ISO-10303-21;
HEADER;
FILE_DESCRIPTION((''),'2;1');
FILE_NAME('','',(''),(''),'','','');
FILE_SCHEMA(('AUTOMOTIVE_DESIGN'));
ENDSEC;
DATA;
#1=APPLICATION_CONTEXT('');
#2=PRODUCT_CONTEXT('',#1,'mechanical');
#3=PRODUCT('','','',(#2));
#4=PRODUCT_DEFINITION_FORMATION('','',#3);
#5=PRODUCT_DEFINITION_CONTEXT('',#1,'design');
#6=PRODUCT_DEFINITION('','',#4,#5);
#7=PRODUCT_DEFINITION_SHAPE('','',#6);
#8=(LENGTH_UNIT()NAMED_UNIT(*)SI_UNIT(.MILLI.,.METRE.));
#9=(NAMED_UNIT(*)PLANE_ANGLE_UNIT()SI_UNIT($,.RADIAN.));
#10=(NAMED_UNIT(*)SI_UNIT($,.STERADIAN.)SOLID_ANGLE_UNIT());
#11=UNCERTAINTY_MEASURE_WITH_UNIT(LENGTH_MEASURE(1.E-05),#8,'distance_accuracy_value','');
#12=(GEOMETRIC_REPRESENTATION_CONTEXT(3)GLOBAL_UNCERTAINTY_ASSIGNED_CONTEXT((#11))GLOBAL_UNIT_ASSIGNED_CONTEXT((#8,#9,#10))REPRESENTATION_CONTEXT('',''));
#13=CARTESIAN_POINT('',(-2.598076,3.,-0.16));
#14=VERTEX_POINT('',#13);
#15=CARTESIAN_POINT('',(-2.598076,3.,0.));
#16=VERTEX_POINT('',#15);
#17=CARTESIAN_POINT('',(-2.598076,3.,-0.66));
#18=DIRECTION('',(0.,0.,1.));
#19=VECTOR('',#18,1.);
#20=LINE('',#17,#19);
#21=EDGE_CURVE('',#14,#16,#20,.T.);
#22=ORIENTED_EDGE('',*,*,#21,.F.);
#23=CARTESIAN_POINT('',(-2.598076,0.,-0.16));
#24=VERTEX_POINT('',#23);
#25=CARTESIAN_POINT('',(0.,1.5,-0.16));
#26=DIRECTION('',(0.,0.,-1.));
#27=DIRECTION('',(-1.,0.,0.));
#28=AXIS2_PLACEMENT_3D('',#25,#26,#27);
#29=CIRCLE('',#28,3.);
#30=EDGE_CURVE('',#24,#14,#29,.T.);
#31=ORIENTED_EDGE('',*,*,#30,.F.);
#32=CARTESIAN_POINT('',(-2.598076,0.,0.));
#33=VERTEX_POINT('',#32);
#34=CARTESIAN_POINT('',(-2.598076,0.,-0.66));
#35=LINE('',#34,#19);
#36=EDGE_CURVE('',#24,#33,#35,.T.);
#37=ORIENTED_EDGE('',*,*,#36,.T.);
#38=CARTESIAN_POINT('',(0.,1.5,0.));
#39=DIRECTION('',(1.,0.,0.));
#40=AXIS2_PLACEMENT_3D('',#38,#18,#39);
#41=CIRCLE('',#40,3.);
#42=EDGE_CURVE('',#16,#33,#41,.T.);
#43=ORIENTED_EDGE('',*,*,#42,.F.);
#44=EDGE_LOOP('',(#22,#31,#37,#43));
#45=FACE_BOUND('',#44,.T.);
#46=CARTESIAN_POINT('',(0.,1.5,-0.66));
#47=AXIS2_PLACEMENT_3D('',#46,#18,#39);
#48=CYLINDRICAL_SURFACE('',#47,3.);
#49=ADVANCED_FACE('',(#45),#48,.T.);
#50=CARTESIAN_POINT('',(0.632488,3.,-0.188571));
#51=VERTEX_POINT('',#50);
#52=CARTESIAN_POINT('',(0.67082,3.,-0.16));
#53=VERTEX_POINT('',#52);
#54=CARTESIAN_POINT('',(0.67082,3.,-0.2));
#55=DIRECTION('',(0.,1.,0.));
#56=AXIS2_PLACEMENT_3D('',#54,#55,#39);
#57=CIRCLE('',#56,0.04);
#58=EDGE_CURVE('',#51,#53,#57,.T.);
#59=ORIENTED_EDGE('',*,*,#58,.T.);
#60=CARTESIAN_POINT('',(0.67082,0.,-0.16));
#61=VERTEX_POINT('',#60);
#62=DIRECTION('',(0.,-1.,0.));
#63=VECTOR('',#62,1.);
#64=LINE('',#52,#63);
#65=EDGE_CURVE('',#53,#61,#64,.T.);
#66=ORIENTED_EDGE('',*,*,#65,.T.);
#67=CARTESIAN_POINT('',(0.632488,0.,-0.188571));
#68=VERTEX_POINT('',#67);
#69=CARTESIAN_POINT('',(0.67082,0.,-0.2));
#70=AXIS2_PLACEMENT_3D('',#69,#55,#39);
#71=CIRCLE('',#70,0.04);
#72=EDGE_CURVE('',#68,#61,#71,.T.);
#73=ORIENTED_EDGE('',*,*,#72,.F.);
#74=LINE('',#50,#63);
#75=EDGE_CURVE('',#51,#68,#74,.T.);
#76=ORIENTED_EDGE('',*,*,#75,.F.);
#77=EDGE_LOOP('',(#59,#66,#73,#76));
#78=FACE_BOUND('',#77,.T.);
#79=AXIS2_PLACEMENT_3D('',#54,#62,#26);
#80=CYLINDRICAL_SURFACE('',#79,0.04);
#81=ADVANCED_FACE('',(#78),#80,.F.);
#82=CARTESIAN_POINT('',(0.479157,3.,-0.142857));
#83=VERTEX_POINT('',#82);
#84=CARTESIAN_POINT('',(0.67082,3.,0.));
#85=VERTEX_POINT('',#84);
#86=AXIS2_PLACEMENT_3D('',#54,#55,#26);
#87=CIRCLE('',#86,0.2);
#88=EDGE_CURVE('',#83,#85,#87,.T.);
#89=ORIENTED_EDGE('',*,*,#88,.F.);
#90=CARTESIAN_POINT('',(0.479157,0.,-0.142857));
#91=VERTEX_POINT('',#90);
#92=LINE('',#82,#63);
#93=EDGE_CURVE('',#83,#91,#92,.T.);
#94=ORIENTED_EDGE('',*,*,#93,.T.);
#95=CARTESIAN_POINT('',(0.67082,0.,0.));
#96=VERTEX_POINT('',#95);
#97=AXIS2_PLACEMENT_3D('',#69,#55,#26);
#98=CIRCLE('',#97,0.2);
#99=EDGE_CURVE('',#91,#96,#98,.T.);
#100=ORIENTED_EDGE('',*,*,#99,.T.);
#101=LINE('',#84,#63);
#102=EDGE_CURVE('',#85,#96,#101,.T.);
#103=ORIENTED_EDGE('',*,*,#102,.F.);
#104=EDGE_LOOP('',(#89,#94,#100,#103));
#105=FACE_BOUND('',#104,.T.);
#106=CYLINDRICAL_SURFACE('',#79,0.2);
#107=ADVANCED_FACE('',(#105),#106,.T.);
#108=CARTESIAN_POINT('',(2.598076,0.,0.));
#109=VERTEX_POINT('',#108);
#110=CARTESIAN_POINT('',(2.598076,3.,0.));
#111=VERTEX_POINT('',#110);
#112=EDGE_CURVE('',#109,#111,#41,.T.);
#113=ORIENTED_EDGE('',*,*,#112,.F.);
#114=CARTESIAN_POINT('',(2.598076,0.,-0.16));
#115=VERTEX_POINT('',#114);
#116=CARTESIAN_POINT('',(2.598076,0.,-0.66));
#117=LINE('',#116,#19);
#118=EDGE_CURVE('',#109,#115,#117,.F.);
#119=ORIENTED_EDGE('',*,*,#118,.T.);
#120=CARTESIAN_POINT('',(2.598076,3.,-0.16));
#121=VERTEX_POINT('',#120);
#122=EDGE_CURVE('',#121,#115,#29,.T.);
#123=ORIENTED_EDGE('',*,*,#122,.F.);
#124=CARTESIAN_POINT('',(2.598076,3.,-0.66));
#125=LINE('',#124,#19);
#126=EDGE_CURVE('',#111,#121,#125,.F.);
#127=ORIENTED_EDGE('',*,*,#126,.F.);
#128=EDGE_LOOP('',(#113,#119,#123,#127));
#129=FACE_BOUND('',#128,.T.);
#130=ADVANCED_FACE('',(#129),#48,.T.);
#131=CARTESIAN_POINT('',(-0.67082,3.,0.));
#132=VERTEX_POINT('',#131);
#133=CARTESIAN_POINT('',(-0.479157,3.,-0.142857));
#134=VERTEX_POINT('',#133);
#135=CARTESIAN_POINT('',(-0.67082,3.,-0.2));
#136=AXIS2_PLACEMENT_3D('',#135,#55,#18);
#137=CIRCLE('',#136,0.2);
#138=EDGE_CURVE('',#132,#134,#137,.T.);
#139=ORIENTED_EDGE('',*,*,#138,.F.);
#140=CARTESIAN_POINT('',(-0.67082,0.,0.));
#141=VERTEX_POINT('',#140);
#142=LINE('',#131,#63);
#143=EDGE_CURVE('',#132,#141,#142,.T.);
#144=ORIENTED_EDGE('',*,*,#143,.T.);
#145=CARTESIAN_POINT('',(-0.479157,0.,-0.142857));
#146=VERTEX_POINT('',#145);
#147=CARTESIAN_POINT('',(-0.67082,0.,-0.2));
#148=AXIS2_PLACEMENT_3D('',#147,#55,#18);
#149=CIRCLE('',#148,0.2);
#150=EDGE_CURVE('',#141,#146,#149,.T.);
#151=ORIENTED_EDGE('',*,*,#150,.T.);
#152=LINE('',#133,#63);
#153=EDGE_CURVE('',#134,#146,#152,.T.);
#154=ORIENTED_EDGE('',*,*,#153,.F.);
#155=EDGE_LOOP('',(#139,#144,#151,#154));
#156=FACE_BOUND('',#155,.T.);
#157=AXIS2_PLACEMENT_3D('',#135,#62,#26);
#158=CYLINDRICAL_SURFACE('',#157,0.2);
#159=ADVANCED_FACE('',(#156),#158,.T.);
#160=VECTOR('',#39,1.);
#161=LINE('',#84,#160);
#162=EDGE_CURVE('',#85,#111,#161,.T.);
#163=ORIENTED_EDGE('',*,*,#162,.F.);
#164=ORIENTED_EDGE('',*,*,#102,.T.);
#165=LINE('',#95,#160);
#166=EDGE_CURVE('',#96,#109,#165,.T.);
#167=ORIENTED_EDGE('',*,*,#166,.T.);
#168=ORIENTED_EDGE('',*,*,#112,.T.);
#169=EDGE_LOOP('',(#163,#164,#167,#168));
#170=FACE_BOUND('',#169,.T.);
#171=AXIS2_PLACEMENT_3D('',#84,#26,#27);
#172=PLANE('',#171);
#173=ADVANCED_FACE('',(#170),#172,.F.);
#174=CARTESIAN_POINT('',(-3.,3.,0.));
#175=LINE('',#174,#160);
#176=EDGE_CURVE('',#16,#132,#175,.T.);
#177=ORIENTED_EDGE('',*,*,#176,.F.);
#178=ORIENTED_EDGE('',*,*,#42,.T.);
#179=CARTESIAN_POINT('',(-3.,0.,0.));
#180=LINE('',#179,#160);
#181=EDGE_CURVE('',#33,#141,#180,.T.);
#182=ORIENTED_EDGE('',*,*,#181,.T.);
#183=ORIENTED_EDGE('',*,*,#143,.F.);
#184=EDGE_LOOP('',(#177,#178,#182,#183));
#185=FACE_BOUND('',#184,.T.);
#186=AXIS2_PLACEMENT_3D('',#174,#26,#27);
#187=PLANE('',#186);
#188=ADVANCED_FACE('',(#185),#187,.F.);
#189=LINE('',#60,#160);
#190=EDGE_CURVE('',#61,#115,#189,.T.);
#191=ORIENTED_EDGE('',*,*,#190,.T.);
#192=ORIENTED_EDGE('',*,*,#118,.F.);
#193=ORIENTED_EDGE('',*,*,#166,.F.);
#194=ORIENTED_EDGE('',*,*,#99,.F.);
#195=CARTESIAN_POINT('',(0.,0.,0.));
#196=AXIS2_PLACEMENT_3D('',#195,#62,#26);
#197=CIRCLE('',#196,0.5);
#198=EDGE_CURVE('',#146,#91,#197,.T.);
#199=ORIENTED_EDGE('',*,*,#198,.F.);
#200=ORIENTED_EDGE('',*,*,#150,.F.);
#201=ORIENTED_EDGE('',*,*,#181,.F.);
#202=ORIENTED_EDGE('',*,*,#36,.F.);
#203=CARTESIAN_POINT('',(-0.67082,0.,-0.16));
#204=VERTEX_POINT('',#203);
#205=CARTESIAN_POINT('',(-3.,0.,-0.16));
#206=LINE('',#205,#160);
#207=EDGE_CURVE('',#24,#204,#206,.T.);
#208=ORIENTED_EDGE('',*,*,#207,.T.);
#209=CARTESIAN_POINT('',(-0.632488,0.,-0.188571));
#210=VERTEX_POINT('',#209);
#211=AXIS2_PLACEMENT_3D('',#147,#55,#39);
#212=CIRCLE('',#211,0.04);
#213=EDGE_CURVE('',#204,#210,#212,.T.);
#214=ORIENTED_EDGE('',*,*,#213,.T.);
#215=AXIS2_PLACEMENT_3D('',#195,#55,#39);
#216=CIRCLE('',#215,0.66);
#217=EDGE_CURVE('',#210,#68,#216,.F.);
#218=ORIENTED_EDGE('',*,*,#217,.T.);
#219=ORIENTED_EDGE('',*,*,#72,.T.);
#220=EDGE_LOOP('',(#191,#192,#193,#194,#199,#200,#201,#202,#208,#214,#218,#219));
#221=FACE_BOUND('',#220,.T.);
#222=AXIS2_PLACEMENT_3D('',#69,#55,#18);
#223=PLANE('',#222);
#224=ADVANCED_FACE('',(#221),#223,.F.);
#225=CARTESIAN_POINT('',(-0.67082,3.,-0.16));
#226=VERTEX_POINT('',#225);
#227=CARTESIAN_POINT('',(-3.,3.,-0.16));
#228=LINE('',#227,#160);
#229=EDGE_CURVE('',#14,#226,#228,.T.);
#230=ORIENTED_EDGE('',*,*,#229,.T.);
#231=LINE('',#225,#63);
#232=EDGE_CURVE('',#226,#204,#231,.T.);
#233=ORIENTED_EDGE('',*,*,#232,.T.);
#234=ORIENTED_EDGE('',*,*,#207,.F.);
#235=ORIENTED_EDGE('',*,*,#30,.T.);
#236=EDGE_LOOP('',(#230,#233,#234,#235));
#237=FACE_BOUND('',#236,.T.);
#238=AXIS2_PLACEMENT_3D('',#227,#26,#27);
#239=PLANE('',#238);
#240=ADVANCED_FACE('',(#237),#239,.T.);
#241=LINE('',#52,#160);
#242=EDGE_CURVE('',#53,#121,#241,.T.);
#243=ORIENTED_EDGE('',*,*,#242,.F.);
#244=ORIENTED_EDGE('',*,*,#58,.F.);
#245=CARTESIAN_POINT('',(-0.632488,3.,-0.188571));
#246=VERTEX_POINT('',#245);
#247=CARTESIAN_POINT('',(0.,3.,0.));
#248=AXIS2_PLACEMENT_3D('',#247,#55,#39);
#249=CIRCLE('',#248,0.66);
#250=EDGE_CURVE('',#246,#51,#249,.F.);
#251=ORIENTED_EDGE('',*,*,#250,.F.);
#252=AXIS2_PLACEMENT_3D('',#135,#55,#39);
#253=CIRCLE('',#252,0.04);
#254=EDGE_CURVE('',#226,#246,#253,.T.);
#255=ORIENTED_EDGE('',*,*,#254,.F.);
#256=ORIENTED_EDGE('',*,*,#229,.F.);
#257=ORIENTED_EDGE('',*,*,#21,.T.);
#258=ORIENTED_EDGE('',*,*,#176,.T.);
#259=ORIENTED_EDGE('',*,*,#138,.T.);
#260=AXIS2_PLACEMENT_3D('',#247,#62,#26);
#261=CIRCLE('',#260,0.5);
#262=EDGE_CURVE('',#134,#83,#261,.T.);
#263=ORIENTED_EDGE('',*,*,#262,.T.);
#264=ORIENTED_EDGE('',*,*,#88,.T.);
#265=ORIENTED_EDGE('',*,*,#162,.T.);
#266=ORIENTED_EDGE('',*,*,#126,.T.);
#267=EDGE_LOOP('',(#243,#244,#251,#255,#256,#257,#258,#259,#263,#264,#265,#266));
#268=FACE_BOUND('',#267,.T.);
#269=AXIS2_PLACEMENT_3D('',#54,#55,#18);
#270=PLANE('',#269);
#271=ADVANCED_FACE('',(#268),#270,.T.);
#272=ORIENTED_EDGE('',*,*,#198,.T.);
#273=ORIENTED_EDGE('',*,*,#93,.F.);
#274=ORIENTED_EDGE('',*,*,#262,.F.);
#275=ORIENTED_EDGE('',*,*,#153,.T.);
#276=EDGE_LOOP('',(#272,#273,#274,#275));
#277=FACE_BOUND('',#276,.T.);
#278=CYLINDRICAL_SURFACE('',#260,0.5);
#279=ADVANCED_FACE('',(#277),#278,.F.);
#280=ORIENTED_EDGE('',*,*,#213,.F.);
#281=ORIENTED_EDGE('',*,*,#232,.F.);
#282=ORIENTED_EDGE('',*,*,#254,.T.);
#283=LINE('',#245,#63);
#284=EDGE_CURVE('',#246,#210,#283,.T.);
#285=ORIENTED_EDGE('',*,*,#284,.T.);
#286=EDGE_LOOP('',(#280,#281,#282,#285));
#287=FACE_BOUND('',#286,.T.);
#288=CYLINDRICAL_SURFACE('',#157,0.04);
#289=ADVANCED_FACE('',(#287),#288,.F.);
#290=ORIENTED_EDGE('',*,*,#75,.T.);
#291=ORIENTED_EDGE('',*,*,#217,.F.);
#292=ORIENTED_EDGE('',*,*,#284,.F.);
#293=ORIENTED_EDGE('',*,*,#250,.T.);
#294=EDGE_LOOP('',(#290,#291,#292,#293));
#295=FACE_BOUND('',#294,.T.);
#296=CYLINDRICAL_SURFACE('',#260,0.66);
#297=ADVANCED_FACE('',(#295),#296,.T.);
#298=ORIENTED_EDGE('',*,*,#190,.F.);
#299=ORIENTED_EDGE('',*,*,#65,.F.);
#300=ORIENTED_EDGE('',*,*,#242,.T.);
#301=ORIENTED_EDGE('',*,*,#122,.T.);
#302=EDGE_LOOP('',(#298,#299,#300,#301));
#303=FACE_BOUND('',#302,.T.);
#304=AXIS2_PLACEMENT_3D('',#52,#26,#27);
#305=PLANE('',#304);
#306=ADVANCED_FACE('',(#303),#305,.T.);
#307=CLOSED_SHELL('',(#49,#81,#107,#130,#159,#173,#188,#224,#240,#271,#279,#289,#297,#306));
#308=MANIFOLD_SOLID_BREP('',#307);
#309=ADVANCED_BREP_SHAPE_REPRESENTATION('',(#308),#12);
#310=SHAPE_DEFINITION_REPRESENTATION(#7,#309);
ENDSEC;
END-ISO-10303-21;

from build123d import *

# Parameters (mm, degrees)
EXTRUDE_THIN1_DEPTH = 3
SKETCH2_OUTSIDE_W   = 9.348
SKETCH2_OUTSIDE_H   = 6.348
SKETCH2_OUTSIDE_R   = 3
EXTRUDE2_DEPTH      = 5.293669759


with BuildPart() as part:
    # Sketch1 → Extrude-Thin1 (new body)
    with BuildSketch(Plane(origin=(0, 0, 0), x_dir=(1, 0, 0), z_dir=(0, 1, 0))):
        with BuildLine():
            Line((-3, 0), (-0.670820393, 0))
            ThreePointArc((-0.670820393, 0), (-0.551297532, 0.039643255), (-0.479157424, 0.142857143))
            ThreePointArc((-0.479157424, 0.142857143), (0, 0.5), (0.479157424, 0.142857143))
            ThreePointArc((0.479157424, 0.142857143), (0.551297532, 0.039643255), (0.670820393, 0))
            Line((0.670820393, 0), (3, 0))
            Line((3, 0), (3, 0.16))
            Line((3, 0.16), (0.670820393, 0.16))
            ThreePointArc((0.670820393, 0.16), (0.646915821, 0.167928651), (0.632487799, 0.188571429))
            ThreePointArc((0.632487799, 0.188571429), (0, 0.66), (-0.632487799, 0.188571429))
            ThreePointArc((-0.632487799, 0.188571429), (-0.646915821, 0.167928651), (-0.670820393, 0.16))
            Line((-0.670820393, 0.16), (-3, 0.16))
            Line((-3, 0.16), (-3, 0))
        make_face()
    extrude(amount=EXTRUDE_THIN1_DEPTH)

    # Sketch2 outside → Extrude2 (cut, through all)
    with BuildSketch(Plane.XY):
        with Locations((0, 1.5)):
            Rectangle(SKETCH2_OUTSIDE_W, SKETCH2_OUTSIDE_H)
        with Locations((0, 1.5)):
            Circle(SKETCH2_OUTSIDE_R, mode=Mode.SUBTRACT)
    extrude(amount=-EXTRUDE2_DEPTH, mode=Mode.SUBTRACT)


solid = part.part
